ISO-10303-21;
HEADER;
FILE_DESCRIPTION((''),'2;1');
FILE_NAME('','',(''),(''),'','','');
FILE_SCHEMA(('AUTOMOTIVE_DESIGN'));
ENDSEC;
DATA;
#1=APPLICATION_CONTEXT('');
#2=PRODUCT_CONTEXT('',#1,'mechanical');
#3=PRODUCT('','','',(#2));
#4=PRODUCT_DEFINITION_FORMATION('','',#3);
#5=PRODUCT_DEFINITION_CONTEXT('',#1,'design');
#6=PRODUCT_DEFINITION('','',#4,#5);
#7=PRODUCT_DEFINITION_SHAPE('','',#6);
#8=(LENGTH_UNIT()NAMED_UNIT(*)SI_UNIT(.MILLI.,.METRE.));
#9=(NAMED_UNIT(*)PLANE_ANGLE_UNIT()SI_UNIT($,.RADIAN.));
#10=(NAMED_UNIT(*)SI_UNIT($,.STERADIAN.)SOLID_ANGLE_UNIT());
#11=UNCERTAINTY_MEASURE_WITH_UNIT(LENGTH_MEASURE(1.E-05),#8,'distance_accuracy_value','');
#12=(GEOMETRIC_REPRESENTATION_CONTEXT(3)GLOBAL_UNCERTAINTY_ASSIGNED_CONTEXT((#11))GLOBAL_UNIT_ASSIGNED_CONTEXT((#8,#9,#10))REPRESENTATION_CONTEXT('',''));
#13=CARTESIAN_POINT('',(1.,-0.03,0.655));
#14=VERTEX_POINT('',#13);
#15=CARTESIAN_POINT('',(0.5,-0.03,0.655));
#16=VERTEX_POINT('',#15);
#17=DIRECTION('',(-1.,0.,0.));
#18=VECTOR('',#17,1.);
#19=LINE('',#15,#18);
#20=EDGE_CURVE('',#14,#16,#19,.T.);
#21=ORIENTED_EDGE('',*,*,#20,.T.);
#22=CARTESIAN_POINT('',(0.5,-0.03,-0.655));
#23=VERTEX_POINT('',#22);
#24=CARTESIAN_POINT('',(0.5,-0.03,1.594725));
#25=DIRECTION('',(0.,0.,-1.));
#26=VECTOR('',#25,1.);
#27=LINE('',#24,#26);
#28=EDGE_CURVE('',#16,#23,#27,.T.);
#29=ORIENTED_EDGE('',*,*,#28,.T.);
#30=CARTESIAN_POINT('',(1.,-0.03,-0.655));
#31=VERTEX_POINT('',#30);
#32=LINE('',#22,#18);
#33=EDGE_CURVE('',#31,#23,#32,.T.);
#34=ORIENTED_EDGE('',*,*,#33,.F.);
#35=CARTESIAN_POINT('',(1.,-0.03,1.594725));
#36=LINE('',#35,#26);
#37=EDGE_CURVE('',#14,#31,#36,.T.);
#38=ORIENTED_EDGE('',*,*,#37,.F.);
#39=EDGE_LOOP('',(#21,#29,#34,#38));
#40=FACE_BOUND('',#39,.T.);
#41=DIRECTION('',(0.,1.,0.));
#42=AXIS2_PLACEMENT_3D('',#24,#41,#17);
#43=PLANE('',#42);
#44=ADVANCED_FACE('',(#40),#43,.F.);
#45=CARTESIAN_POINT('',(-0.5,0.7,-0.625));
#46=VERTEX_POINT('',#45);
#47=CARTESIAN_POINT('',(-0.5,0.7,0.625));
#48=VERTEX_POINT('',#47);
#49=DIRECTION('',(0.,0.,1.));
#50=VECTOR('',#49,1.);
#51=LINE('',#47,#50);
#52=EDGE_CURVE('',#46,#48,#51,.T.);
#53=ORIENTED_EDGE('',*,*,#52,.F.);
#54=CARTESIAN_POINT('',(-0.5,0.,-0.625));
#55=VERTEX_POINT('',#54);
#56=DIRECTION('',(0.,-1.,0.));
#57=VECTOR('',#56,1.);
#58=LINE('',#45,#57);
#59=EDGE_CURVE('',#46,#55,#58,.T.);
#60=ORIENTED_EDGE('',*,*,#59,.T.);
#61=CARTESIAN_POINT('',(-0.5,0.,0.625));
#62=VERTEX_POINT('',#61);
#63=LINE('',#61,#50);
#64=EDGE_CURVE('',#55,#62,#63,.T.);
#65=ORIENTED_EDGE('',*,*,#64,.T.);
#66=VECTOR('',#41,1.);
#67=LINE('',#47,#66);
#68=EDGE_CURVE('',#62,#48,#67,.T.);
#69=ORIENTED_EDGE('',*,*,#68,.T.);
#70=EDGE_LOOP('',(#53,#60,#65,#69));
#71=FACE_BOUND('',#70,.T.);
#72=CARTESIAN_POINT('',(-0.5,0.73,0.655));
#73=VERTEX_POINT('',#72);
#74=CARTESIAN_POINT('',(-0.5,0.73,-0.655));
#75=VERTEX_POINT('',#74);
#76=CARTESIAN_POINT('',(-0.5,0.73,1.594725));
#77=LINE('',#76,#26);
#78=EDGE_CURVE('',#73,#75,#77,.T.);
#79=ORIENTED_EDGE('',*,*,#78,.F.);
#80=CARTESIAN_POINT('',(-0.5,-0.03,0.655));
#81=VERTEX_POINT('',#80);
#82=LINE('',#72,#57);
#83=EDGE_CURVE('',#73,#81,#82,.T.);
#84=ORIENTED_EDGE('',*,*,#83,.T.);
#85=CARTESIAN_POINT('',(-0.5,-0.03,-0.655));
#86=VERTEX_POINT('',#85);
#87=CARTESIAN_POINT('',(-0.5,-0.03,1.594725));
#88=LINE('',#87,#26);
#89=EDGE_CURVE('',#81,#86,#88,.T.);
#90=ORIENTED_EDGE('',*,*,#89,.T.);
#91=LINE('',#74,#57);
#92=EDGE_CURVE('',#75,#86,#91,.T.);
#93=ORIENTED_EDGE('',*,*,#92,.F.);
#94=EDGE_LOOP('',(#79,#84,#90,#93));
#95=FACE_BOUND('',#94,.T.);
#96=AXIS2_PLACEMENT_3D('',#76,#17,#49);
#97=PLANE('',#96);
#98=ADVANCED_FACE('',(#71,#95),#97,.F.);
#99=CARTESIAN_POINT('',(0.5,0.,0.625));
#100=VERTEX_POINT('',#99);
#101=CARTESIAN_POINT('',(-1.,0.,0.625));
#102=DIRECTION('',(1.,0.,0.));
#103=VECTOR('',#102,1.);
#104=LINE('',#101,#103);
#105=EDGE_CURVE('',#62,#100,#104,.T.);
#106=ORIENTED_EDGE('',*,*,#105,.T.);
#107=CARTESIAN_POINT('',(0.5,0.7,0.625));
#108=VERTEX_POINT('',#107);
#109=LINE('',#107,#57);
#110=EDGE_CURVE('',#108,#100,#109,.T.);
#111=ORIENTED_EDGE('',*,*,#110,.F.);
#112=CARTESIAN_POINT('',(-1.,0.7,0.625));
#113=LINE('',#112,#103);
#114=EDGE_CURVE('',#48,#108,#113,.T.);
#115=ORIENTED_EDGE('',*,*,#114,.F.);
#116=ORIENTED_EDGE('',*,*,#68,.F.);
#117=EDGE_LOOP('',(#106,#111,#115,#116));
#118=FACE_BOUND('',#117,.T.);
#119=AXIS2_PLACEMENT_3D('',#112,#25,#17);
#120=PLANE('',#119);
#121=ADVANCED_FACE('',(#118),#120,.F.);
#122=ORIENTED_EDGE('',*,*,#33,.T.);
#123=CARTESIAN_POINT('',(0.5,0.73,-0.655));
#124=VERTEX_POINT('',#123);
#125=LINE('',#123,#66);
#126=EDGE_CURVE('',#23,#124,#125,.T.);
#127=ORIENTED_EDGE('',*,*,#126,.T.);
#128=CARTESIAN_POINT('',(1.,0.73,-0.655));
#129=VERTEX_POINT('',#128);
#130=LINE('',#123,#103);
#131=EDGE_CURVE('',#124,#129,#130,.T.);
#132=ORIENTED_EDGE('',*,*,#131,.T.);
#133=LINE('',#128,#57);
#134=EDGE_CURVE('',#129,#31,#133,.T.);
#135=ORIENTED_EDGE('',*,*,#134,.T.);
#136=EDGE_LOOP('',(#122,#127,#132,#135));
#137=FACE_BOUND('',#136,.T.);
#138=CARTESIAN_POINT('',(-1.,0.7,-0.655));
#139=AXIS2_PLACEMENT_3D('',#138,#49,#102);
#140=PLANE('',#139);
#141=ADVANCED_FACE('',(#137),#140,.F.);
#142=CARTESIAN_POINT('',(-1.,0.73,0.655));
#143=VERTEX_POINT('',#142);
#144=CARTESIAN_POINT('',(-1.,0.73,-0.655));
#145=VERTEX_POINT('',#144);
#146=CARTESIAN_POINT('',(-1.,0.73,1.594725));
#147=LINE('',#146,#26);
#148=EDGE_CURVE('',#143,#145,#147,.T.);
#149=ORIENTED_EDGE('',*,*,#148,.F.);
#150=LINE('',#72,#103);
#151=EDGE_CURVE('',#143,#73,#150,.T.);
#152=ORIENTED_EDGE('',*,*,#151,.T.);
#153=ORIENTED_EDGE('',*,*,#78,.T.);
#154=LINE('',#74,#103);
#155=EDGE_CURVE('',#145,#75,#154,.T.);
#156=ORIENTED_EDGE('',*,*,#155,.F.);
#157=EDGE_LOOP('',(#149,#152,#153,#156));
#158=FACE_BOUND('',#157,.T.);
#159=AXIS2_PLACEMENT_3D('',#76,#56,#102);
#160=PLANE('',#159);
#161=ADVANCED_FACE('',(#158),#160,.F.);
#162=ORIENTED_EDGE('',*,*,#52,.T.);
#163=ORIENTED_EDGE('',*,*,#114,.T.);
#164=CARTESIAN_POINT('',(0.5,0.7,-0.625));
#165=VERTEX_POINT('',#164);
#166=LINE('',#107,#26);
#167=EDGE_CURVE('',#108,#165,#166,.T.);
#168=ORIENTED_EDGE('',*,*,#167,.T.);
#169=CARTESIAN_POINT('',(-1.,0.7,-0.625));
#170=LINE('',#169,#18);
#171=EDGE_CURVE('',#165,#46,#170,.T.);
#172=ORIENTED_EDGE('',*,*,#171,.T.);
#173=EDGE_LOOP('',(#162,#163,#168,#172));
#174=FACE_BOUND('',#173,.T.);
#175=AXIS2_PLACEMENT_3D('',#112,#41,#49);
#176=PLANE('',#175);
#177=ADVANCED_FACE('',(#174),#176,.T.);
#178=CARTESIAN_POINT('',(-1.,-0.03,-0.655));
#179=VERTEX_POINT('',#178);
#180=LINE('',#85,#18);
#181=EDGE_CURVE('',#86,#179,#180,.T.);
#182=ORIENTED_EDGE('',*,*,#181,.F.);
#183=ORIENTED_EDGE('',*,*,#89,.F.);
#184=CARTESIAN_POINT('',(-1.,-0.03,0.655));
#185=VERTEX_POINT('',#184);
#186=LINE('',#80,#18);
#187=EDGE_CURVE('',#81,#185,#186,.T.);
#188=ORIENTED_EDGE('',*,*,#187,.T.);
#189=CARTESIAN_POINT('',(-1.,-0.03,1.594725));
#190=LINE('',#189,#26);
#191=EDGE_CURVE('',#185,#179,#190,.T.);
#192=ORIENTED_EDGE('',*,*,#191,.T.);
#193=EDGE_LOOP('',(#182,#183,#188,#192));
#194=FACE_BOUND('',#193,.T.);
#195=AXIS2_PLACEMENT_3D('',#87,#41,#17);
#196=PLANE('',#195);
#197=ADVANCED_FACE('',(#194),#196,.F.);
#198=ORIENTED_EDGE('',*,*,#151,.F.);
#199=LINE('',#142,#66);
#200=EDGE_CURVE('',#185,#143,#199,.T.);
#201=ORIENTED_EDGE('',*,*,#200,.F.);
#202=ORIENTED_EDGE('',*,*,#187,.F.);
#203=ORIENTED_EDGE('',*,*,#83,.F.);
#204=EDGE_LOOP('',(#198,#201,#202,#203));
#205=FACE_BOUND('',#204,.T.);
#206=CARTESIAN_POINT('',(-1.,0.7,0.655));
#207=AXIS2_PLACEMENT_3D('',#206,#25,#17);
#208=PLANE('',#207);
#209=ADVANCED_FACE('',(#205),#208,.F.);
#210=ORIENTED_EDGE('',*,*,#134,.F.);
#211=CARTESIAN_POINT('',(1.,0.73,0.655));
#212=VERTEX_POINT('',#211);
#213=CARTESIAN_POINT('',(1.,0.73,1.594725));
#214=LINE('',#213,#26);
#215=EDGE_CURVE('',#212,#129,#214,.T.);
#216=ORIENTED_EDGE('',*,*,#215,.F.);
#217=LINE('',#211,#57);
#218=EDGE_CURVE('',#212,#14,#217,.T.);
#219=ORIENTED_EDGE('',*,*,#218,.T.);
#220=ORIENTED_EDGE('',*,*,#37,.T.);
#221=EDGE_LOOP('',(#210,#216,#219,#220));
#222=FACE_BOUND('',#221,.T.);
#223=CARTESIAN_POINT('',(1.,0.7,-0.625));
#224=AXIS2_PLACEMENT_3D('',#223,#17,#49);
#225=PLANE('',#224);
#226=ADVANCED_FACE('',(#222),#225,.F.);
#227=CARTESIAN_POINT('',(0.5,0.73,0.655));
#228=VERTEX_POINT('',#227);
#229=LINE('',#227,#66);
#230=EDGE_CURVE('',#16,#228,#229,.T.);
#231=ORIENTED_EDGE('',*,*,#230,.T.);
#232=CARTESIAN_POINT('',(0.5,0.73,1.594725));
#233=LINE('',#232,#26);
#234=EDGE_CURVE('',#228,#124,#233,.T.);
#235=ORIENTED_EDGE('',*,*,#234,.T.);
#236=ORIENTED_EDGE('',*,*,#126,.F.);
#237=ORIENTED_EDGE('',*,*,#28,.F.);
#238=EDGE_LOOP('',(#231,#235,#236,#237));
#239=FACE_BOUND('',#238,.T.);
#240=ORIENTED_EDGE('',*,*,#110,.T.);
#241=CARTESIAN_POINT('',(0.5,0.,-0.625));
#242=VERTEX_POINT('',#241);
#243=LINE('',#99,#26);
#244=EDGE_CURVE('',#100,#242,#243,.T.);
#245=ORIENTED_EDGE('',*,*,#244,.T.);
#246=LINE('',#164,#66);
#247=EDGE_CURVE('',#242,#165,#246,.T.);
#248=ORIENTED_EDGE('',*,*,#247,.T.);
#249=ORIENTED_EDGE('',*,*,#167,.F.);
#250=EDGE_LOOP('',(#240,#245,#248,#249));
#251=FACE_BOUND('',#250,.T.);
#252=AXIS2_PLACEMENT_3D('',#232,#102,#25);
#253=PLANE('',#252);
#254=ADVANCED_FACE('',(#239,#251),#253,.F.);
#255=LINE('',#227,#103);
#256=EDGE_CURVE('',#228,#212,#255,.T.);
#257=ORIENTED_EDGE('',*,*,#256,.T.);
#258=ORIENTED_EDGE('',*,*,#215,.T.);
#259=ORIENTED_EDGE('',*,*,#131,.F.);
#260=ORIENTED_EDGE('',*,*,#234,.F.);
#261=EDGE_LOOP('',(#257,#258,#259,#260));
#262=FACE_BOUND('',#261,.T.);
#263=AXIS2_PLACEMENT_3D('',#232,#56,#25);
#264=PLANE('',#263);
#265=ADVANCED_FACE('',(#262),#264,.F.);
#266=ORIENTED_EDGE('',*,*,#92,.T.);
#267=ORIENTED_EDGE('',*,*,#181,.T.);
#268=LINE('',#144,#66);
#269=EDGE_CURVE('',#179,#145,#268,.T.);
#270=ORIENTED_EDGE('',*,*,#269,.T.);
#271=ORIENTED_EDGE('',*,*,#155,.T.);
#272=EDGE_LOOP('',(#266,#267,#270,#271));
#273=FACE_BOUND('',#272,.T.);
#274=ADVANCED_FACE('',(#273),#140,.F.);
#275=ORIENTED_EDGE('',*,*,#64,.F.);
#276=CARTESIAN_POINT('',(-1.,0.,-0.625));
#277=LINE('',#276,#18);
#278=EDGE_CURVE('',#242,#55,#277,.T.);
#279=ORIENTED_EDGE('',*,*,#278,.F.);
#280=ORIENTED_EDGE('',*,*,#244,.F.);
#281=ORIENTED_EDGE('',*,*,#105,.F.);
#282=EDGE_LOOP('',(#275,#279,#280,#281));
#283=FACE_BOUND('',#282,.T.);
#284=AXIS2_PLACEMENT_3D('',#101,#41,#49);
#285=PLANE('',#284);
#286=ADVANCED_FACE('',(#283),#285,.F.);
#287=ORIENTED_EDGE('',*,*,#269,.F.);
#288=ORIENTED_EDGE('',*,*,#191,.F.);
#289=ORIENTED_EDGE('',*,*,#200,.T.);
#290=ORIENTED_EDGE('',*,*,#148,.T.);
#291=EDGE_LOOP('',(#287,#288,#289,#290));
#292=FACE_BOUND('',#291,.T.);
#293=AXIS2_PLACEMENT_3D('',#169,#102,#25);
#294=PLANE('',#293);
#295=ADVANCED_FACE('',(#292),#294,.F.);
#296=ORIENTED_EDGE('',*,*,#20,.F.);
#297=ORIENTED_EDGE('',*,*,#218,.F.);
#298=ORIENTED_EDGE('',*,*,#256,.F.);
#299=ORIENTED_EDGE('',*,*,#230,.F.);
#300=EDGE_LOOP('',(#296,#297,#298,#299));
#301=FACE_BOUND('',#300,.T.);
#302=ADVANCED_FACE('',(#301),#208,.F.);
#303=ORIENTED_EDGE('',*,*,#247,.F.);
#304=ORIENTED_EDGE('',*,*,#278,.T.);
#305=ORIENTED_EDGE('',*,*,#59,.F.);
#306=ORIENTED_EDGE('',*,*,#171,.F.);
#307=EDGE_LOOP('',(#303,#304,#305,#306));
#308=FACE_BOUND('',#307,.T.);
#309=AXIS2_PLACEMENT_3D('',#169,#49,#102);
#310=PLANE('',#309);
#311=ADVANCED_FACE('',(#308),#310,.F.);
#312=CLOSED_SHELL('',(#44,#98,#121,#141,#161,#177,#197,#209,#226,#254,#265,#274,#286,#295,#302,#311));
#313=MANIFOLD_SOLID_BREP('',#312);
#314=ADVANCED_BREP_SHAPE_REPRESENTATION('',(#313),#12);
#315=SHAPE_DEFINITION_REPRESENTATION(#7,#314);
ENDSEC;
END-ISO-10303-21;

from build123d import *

# Parameters (mm, degrees)
SKETCH1_W           = 2
SKETCH1_H           = 1.25
EXTRUDE1_DEPTH      = 0.7
SKETCH2_W           = 0.5
SKETCH2_H           = 0.76
EXTRUDE2_DEPTH      = 0.655
EXTRUDE2_DEPTH_BACK = 0.655


with BuildPart() as part:
    # Sketch1 → Extrude1 (new body)
    with BuildSketch(Plane(origin=(0, 0, 0), x_dir=(1, 0, 0), z_dir=(0, 1, 0))):
        Rectangle(SKETCH1_W, SKETCH1_H)
    extrude(amount=EXTRUDE1_DEPTH)

    # Sketch2 → Extrude2 (add, two sides)
    with BuildSketch(Plane.XY) as extrude2_sk:
        with Locations((-0.75, 0.35)):
            Rectangle(SKETCH2_W, SKETCH2_H)
        with Locations((0.75, 0.35)):
            Rectangle(SKETCH2_W, SKETCH2_H)
    extrude(amount=EXTRUDE2_DEPTH)
    extrude(extrude2_sk.sketch, amount=-EXTRUDE2_DEPTH_BACK)


solid = part.part
